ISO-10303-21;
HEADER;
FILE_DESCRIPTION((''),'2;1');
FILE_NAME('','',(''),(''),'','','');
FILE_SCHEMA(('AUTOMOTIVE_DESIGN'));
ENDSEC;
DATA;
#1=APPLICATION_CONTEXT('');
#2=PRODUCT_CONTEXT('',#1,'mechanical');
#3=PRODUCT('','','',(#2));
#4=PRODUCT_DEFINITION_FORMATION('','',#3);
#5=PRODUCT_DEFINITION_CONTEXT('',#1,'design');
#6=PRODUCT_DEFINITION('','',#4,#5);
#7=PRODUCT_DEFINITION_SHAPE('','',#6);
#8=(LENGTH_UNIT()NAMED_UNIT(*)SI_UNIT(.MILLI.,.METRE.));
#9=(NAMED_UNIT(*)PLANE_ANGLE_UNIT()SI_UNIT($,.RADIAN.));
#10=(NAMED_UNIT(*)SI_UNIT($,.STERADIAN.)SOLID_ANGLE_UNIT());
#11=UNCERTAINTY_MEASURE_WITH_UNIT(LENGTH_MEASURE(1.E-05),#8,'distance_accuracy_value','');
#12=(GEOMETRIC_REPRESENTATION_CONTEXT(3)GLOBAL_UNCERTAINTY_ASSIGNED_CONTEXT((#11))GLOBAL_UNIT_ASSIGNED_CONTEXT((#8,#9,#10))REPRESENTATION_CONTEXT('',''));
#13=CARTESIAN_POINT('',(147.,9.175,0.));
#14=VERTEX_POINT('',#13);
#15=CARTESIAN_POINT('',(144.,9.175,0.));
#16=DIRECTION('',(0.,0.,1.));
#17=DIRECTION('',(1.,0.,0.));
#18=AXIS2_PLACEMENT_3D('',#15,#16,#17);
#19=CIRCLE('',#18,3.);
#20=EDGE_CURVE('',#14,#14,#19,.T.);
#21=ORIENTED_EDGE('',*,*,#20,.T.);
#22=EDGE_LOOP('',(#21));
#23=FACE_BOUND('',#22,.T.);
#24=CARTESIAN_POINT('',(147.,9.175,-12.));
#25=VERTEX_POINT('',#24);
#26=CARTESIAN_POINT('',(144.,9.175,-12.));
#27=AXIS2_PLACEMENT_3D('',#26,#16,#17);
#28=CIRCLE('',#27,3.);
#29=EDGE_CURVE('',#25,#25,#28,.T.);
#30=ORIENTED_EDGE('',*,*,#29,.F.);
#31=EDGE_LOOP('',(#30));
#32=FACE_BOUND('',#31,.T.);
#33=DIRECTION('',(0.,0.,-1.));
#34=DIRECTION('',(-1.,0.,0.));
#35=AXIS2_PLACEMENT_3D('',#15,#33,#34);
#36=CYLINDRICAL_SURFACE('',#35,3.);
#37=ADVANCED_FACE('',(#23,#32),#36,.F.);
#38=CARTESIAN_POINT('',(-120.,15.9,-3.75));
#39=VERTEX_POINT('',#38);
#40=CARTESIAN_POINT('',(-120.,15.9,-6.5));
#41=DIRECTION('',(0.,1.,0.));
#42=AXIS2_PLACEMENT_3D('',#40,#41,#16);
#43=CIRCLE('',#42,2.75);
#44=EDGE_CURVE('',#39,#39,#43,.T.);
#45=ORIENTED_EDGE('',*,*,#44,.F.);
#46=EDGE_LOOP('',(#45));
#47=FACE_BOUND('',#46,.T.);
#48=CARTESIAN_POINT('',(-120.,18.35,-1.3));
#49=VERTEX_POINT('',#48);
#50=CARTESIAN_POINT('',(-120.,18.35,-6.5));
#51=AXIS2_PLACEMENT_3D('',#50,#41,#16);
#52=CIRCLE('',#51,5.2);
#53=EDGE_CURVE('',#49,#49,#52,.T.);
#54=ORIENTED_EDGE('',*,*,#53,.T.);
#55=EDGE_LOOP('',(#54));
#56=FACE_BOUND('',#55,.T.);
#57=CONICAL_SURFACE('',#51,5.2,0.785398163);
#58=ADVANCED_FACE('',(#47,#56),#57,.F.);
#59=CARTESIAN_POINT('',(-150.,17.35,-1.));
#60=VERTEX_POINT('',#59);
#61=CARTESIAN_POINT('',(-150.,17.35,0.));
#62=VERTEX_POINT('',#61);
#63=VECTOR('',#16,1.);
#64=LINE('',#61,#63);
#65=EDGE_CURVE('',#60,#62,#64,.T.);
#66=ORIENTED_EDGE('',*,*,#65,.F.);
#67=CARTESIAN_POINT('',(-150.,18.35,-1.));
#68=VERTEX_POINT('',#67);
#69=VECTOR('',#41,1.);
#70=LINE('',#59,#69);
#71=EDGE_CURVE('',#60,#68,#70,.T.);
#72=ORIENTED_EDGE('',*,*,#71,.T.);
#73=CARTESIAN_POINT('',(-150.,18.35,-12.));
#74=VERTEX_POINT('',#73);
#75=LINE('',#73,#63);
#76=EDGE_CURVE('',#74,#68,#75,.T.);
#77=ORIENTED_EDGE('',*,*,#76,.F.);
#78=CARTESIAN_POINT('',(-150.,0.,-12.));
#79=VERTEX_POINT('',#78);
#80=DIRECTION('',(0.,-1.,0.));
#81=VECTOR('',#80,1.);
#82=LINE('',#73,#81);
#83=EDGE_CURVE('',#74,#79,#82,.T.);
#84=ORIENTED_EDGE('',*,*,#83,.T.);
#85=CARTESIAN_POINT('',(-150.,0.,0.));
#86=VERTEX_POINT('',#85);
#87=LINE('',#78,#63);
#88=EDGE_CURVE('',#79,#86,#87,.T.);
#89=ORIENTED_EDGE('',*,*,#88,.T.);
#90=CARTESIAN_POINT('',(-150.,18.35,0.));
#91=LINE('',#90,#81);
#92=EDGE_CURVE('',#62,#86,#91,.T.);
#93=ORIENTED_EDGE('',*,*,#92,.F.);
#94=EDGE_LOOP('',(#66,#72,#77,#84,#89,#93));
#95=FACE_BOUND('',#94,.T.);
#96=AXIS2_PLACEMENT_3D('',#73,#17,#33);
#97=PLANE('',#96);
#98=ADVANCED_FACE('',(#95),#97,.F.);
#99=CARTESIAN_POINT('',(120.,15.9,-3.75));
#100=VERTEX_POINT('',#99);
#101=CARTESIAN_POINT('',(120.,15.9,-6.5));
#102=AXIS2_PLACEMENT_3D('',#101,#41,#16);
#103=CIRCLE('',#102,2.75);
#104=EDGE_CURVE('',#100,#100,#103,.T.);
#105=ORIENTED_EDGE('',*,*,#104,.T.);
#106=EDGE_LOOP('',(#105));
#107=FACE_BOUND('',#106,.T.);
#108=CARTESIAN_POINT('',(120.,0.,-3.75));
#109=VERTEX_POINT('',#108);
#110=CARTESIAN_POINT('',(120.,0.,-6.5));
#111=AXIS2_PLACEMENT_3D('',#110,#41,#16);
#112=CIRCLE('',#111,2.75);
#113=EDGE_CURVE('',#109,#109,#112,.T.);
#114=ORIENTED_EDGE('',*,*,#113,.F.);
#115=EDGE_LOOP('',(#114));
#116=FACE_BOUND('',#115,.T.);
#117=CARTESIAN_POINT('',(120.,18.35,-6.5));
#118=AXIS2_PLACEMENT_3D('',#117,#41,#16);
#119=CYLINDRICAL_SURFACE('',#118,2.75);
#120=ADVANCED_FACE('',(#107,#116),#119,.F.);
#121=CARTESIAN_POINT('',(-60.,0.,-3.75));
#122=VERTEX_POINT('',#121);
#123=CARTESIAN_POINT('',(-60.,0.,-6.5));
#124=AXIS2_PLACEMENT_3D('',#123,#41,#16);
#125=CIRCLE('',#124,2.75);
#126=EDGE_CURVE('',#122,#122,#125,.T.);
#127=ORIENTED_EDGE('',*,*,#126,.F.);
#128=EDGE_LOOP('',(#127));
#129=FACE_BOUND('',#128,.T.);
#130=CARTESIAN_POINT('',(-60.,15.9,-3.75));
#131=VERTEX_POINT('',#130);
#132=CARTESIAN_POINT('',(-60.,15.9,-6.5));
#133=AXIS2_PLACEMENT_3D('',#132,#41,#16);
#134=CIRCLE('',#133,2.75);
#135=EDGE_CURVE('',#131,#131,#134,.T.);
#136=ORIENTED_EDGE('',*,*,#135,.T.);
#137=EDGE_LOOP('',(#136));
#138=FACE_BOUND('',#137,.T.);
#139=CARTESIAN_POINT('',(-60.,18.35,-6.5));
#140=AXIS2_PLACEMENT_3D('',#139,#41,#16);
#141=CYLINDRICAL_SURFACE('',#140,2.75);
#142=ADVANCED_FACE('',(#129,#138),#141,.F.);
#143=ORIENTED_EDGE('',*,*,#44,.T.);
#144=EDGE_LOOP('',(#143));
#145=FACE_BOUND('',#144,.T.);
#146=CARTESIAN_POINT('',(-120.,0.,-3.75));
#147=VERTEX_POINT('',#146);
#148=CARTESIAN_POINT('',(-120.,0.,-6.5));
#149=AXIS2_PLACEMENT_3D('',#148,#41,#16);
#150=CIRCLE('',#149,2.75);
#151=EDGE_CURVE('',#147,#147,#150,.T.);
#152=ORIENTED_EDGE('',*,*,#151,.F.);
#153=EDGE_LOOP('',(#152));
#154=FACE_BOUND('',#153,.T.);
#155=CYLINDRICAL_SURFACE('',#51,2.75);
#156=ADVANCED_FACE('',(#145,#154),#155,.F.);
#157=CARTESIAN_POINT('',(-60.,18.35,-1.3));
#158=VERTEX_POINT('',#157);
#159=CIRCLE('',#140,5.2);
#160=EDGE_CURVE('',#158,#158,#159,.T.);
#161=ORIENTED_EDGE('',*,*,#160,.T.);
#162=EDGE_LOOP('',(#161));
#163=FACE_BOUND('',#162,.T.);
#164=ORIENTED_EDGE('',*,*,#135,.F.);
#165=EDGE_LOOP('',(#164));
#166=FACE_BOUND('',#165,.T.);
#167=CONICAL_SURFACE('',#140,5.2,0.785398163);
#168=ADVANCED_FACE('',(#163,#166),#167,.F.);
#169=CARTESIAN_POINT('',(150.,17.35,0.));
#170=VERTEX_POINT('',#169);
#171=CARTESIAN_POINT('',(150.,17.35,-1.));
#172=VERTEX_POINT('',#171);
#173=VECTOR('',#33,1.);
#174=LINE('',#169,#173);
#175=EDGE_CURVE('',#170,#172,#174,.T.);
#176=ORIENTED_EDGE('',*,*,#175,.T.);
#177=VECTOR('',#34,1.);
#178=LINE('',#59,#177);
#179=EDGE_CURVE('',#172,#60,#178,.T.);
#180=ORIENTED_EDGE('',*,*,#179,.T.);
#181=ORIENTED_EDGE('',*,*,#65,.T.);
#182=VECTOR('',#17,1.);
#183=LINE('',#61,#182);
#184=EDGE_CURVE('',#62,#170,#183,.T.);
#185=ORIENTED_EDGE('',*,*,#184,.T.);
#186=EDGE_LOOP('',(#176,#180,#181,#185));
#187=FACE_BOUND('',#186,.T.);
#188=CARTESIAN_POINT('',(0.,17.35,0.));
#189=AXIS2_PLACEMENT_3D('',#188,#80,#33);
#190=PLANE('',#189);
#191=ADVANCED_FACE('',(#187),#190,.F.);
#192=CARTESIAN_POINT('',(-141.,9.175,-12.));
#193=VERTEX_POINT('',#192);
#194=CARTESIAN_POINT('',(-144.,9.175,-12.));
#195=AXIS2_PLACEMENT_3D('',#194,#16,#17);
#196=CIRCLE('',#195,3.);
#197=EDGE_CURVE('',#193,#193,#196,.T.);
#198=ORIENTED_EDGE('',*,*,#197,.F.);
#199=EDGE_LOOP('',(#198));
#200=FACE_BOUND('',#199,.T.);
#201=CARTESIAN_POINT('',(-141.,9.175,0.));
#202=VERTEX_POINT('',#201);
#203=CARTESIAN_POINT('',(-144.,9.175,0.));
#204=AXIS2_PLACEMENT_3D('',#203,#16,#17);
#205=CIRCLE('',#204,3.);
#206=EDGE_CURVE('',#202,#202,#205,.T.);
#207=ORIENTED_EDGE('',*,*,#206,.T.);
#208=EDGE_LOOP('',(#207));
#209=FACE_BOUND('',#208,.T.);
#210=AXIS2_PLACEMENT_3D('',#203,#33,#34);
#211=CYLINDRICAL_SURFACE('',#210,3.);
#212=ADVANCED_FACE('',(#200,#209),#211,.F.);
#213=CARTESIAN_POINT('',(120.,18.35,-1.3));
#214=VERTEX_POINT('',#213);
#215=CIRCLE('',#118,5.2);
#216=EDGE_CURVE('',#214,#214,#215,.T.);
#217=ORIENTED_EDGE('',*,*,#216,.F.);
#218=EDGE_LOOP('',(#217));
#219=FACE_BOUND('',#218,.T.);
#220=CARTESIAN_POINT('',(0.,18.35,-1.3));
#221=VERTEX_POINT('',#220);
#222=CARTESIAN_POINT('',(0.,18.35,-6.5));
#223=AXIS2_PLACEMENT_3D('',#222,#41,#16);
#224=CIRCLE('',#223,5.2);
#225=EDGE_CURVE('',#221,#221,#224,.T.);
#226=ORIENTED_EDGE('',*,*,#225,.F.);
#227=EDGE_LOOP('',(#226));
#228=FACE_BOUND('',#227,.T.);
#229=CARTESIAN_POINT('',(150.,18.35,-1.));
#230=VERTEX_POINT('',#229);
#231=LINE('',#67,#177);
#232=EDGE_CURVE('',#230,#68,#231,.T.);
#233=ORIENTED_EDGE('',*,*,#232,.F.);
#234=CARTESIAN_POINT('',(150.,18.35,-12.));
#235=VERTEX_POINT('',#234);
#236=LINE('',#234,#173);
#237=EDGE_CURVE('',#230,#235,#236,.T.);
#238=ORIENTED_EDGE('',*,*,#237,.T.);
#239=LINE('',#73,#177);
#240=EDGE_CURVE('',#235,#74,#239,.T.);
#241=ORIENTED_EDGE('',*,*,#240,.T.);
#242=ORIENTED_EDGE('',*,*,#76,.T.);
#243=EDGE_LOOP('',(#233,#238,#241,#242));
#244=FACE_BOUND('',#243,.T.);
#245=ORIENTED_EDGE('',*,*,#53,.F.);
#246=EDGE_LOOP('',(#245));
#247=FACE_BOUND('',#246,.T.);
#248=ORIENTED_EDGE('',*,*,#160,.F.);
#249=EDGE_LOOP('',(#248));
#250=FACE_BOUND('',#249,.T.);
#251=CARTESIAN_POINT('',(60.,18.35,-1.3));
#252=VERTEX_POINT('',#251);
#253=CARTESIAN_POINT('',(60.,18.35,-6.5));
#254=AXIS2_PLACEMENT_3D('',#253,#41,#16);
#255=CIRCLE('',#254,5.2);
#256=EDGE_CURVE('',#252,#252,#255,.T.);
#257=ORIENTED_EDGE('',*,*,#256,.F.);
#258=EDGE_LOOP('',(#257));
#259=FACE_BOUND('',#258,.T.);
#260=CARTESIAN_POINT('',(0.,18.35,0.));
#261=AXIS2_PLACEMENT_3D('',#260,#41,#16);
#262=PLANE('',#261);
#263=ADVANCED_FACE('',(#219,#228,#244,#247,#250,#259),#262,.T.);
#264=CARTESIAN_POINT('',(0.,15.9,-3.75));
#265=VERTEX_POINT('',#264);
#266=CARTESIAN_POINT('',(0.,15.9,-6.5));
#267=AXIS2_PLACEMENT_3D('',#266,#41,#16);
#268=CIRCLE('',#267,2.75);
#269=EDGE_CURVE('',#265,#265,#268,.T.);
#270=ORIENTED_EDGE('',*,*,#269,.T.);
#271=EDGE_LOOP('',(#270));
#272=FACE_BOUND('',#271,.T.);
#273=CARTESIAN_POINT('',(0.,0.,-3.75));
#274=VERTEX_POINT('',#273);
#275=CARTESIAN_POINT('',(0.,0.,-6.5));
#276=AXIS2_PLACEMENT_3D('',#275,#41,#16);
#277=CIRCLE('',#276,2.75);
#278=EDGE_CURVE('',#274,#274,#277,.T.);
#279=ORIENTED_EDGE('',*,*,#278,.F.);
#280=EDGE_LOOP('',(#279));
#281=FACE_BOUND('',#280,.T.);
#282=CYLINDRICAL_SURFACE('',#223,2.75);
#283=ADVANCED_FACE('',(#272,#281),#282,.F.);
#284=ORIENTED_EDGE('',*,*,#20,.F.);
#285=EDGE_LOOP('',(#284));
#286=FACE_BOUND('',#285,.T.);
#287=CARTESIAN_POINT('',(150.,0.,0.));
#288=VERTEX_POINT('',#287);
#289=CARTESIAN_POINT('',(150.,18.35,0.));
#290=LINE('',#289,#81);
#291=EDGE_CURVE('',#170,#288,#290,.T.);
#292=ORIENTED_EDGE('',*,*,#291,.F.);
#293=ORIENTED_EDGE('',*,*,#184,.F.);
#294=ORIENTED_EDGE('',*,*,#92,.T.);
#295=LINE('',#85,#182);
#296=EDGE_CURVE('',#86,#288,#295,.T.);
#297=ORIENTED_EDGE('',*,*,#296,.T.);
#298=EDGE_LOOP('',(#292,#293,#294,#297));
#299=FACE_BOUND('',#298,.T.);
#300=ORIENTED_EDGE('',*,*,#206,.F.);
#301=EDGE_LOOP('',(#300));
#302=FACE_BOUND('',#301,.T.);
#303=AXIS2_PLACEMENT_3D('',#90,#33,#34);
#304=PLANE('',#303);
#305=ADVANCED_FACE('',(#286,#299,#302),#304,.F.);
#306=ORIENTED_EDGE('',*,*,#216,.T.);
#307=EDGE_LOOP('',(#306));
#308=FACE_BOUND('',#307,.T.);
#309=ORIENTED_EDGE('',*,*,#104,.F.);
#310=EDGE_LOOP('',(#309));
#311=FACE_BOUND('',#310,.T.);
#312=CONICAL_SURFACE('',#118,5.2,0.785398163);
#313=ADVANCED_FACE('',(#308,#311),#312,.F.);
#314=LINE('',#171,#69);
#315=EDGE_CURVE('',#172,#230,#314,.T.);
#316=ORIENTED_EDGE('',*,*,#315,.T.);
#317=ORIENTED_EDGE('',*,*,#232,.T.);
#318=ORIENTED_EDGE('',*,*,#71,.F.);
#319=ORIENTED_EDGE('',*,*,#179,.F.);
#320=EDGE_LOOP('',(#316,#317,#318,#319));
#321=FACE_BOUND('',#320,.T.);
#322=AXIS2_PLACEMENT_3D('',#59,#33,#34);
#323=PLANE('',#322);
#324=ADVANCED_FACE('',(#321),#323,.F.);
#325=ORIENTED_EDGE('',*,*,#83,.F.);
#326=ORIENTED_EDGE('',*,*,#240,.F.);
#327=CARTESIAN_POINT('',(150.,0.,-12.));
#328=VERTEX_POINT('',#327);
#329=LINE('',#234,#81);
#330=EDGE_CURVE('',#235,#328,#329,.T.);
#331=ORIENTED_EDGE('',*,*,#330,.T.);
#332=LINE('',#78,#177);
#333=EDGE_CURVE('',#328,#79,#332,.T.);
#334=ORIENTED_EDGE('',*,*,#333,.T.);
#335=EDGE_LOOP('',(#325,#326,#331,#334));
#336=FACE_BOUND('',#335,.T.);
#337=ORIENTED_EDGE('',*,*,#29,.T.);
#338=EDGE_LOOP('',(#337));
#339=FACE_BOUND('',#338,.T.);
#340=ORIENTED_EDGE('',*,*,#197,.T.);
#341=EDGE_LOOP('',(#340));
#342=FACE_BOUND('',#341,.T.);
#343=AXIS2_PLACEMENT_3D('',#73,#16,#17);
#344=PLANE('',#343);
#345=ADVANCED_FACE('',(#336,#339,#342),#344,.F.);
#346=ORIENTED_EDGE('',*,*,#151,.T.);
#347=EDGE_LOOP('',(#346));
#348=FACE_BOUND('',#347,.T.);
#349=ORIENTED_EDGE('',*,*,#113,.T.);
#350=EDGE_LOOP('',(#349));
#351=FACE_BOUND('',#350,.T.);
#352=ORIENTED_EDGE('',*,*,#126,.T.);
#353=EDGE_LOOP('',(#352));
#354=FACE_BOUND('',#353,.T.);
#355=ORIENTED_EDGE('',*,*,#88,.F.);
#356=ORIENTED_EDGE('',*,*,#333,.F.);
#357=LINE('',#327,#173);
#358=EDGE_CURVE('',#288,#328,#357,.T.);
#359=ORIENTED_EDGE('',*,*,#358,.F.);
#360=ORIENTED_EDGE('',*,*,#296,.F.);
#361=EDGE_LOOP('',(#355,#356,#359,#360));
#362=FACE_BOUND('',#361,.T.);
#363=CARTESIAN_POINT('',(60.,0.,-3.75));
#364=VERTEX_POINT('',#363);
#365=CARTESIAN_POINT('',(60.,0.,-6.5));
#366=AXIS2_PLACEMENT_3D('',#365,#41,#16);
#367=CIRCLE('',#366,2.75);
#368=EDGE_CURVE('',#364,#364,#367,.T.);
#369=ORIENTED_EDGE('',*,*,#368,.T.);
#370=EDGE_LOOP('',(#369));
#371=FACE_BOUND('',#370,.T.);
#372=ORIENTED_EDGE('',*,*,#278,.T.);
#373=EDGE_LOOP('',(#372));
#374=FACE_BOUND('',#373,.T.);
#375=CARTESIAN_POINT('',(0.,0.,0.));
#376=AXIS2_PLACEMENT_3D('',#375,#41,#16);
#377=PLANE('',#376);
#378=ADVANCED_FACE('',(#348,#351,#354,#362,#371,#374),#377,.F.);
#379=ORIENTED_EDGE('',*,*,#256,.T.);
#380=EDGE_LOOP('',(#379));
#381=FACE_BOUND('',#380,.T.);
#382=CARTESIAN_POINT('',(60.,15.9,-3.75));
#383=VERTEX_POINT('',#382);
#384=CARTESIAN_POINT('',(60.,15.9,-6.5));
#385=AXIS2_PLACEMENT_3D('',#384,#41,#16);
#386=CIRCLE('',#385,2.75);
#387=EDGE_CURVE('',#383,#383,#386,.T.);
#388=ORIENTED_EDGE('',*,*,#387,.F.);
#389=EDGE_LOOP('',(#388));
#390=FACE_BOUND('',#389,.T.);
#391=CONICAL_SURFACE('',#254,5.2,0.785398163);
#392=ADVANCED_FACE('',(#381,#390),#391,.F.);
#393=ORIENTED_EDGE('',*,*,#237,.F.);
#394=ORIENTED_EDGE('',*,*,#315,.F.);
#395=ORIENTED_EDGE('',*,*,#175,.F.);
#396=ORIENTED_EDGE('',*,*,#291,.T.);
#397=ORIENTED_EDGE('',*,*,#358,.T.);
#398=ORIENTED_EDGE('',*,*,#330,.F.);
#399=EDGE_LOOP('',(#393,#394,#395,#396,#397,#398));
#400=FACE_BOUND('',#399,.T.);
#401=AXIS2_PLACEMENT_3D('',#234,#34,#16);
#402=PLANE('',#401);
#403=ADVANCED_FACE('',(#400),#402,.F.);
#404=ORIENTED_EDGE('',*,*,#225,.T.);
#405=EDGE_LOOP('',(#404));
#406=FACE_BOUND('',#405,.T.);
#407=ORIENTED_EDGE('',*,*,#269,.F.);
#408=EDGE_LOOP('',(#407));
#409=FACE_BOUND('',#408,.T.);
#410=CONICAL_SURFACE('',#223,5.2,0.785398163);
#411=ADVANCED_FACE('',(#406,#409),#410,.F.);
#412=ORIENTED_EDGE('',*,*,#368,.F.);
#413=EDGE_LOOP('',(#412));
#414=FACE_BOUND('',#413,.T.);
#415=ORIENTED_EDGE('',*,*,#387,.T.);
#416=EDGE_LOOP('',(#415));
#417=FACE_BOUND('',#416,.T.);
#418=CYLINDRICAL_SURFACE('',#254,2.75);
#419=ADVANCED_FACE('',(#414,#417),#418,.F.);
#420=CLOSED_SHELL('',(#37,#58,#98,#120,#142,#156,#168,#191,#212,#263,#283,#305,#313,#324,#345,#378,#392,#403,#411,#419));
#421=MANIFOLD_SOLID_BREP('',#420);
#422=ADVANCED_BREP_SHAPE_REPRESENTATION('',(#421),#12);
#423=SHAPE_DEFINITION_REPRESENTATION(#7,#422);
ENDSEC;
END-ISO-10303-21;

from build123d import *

# Parameters (mm, degrees)
SKETCH_1_W                 = 300
SKETCH_1_H                 = 12
EXTRUDE_275_DEPTH          = 18.35
SKETCH_2_W                 = 300
SKETCH_2_H                 = 1
CUT_EXTRUDE_1_DEPTH        = 1
HOLE_WIZARD_M4_D           = 5.5
HOLE_WIZARD_M4_CSINK_D     = 10.4
HOLE_WIZARD_M4_CSINK_ANGLE = 90
PATTERN_LINEAR_1_COUNT     = 3
PATTERN_LINEAR_1_PITCH     = 60
PATTERN_LINEAR_1_COL_COUNT = 3
PATTERN_LINEAR_1_COL_PITCH = 60
SKETCH_5_R                 = 3
CUT_EXTRUDE_6_DEPTH        = 152.593939523


with BuildPart() as part:
    # Эскиз1 → Extrude 275 (new body)
    with BuildSketch(Plane(origin=(0, 0, 0), x_dir=(1, 0, 0), z_dir=(0, 1, 0))):
        with Locations((0, 6)):
            Rectangle(SKETCH_1_W, SKETCH_1_H)
    extrude(amount=EXTRUDE_275_DEPTH)

    # Эскиз2 → Вырез-Вытянуть1 (cut)
    with BuildSketch(Plane(origin=(0, 18.35, 0), x_dir=(1, 0, 0), z_dir=(0, 1, 0))):
        with Locations((0, 0.5)):
            Rectangle(SKETCH_2_W, SKETCH_2_H)
    extrude(amount=-CUT_EXTRUDE_1_DEPTH, mode=Mode.SUBTRACT)

    # Крепление-M4 (through all)
    with Locations(Plane(origin=(0, 18.35, 0), x_dir=(-1, 0, 0), z_dir=(0, 1, 0))):
        with Locations((0, -6.5)):
            hole_wizard_m4 = CounterSinkHole(HOLE_WIZARD_M4_D / 2, HOLE_WIZARD_M4_CSINK_D / 2, counter_sink_angle=HOLE_WIZARD_M4_CSINK_ANGLE)

    # Линейный массив1: Крепление-M4 ×3
    with Locations(*[(-i * PATTERN_LINEAR_1_PITCH, 0, 0) for i in range(1, PATTERN_LINEAR_1_COUNT)]):
        add(hole_wizard_m4, mode=Mode.SUBTRACT)

    # Линейный массив1 col: Крепление-M4 ×3
    with Locations(*[(i * PATTERN_LINEAR_1_COL_PITCH, 0, 0) for i in range(1, PATTERN_LINEAR_1_COL_COUNT)]):
        add(hole_wizard_m4, mode=Mode.SUBTRACT)

    # Эскиз5 → Валы-6мм (cut, through all)
    with BuildSketch(Plane.XY.offset(-12)):
        with Locations((-144, 9.175)):
            Circle(SKETCH_5_R)
        with Locations((144, 9.175)):
            Circle(SKETCH_5_R)
    extrude(amount=CUT_EXTRUDE_6_DEPTH, mode=Mode.SUBTRACT)


solid = part.part
